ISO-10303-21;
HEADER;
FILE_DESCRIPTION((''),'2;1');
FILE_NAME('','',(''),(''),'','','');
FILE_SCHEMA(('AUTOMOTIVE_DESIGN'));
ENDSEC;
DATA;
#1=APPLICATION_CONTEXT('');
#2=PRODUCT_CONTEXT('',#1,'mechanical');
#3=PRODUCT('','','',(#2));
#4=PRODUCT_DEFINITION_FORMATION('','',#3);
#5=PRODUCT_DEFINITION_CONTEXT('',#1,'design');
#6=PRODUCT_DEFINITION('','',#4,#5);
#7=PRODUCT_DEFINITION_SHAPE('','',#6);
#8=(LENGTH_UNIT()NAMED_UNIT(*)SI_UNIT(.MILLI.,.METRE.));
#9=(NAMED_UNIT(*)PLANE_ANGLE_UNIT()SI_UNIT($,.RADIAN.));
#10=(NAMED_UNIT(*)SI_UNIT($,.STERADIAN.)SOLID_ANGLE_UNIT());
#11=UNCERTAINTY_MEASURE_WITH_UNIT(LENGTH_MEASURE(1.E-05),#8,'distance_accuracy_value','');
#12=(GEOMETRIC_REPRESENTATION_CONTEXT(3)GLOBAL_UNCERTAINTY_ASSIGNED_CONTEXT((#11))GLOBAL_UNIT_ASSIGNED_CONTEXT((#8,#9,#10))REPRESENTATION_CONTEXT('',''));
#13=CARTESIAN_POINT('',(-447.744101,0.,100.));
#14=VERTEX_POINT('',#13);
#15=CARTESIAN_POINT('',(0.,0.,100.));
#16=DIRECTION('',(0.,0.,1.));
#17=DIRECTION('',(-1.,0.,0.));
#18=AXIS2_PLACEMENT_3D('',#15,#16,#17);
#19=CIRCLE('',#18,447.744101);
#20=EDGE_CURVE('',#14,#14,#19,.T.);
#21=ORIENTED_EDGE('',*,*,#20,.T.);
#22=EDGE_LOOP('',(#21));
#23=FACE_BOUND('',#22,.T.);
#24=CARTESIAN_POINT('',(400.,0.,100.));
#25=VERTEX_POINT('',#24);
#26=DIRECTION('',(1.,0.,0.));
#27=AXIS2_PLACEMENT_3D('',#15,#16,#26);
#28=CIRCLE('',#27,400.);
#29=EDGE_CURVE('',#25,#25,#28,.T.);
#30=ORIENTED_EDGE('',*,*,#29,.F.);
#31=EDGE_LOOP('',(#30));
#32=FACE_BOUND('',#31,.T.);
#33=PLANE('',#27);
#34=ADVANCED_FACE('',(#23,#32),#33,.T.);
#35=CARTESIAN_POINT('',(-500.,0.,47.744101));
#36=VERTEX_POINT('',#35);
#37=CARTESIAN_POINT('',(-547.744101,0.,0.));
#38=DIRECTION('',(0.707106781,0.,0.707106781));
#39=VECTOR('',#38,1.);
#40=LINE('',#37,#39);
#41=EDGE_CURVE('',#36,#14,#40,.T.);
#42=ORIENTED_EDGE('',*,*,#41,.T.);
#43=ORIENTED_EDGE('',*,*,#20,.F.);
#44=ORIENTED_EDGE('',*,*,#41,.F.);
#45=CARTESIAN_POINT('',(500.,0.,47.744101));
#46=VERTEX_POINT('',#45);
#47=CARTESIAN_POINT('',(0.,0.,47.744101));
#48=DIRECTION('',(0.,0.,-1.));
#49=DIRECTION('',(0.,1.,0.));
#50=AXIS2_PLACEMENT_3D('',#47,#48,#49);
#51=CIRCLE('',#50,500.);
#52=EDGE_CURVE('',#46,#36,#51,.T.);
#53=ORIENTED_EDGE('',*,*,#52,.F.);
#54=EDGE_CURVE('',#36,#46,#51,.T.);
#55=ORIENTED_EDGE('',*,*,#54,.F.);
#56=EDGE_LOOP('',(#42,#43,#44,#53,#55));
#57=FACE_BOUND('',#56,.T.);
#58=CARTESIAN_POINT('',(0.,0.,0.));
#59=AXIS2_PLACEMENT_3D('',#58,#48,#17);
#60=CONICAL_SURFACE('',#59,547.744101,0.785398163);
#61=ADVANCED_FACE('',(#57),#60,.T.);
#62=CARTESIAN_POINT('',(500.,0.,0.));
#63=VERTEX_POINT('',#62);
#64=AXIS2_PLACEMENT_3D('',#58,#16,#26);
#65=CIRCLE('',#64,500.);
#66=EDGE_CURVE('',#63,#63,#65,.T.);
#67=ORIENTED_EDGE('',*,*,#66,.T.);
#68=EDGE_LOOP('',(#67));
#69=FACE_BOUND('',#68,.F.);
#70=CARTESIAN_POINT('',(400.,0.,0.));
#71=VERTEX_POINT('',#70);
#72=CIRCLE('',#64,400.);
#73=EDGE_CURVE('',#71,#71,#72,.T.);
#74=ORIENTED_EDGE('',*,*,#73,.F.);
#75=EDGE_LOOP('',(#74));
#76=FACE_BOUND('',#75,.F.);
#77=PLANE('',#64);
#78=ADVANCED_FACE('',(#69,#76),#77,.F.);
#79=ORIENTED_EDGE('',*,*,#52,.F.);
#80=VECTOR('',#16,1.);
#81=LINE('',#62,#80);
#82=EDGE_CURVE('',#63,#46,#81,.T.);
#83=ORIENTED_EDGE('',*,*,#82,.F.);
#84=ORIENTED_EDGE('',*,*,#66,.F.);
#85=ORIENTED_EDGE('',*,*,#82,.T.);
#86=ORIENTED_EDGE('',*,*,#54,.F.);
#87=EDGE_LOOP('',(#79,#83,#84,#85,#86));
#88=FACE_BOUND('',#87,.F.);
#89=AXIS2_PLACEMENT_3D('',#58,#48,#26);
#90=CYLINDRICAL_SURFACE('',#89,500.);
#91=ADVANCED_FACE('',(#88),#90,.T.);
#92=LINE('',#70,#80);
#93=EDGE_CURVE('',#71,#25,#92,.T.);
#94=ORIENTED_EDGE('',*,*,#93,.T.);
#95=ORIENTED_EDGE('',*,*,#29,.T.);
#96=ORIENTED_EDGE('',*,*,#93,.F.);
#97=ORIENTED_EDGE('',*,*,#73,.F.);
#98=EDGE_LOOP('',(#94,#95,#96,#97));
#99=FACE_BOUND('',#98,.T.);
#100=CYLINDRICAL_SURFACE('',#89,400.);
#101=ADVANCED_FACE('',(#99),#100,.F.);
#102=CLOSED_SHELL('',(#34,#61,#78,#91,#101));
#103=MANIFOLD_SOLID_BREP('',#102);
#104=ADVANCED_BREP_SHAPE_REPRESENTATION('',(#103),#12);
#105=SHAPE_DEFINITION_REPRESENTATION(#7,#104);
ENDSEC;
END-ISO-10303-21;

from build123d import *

# Parameters (mm, degrees)
F0_R     = 500
F0_R_2   = 400
F1_DEPTH = 100


with BuildPart() as f1:
    # F0 (on Top) → F1 (new body)
    with BuildSketch(Plane.XY):
        Circle(F0_R)
        Circle(F0_R_2, mode=Mode.SUBTRACT)
    extrude(amount=F1_DEPTH)

    # F2 (on Front) → F3 (revolve, cut)
    with BuildSketch(Plane.XZ):
        Polygon((-547.744101, 0), (-447.744101, 100), (-547.744101, 100), align=None)
    revolve(axis=Axis((0, 0, 117.033899), (0, 0, 1)), mode=Mode.SUBTRACT)


solid = f1.part
